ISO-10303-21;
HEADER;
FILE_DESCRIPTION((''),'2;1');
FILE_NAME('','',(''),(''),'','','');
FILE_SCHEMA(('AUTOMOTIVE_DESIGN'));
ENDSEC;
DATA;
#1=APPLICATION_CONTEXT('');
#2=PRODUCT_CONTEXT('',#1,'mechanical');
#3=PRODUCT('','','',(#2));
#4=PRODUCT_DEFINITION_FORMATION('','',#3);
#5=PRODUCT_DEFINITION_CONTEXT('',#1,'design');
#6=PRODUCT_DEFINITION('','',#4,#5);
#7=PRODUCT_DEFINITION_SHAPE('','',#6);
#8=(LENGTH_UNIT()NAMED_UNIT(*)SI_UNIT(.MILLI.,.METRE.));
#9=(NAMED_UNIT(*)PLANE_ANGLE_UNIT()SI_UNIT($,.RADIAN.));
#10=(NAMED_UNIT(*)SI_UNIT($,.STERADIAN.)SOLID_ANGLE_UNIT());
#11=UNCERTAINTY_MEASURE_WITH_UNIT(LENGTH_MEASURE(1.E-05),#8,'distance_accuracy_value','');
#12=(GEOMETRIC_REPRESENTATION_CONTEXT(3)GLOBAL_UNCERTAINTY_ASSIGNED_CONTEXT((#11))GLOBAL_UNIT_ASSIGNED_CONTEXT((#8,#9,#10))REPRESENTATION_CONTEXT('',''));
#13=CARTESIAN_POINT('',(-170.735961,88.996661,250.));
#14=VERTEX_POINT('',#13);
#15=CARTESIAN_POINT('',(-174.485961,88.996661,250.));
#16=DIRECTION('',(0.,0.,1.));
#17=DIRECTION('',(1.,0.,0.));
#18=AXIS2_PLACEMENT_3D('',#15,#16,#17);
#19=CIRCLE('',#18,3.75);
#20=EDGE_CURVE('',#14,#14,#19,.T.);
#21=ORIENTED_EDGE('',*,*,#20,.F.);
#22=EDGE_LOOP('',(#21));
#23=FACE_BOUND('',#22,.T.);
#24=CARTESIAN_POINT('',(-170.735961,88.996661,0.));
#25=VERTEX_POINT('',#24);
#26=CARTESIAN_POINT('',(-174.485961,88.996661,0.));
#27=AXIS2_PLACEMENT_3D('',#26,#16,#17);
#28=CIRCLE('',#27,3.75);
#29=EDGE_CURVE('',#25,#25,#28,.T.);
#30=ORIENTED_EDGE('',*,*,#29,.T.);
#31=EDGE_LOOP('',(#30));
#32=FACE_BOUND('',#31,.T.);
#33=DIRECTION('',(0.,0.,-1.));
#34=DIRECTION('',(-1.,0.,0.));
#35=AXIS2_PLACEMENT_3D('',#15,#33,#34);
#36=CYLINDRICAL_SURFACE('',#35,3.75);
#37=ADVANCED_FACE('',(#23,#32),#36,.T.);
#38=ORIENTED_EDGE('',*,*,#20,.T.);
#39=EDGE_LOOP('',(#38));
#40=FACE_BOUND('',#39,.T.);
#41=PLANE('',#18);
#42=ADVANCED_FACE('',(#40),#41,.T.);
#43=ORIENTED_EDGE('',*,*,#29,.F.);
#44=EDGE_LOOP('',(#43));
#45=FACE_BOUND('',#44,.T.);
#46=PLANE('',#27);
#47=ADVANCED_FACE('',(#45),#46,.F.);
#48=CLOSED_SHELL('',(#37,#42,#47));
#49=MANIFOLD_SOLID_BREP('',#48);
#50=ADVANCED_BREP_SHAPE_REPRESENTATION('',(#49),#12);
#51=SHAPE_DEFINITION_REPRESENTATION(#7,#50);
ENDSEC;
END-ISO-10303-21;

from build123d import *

# Parameters (mm, degrees)
SKETCH1_R           = 3.75
BOSS_EXTRUDE1_DEPTH = 250


with BuildPart() as part:
    # Sketch1 → Boss-Extrude1 (new body)
    with BuildSketch(Plane.XY):
        with Locations((-174.485961105, 88.996660734)):
            Circle(SKETCH1_R)
    extrude(amount=BOSS_EXTRUDE1_DEPTH)


solid = part.part
